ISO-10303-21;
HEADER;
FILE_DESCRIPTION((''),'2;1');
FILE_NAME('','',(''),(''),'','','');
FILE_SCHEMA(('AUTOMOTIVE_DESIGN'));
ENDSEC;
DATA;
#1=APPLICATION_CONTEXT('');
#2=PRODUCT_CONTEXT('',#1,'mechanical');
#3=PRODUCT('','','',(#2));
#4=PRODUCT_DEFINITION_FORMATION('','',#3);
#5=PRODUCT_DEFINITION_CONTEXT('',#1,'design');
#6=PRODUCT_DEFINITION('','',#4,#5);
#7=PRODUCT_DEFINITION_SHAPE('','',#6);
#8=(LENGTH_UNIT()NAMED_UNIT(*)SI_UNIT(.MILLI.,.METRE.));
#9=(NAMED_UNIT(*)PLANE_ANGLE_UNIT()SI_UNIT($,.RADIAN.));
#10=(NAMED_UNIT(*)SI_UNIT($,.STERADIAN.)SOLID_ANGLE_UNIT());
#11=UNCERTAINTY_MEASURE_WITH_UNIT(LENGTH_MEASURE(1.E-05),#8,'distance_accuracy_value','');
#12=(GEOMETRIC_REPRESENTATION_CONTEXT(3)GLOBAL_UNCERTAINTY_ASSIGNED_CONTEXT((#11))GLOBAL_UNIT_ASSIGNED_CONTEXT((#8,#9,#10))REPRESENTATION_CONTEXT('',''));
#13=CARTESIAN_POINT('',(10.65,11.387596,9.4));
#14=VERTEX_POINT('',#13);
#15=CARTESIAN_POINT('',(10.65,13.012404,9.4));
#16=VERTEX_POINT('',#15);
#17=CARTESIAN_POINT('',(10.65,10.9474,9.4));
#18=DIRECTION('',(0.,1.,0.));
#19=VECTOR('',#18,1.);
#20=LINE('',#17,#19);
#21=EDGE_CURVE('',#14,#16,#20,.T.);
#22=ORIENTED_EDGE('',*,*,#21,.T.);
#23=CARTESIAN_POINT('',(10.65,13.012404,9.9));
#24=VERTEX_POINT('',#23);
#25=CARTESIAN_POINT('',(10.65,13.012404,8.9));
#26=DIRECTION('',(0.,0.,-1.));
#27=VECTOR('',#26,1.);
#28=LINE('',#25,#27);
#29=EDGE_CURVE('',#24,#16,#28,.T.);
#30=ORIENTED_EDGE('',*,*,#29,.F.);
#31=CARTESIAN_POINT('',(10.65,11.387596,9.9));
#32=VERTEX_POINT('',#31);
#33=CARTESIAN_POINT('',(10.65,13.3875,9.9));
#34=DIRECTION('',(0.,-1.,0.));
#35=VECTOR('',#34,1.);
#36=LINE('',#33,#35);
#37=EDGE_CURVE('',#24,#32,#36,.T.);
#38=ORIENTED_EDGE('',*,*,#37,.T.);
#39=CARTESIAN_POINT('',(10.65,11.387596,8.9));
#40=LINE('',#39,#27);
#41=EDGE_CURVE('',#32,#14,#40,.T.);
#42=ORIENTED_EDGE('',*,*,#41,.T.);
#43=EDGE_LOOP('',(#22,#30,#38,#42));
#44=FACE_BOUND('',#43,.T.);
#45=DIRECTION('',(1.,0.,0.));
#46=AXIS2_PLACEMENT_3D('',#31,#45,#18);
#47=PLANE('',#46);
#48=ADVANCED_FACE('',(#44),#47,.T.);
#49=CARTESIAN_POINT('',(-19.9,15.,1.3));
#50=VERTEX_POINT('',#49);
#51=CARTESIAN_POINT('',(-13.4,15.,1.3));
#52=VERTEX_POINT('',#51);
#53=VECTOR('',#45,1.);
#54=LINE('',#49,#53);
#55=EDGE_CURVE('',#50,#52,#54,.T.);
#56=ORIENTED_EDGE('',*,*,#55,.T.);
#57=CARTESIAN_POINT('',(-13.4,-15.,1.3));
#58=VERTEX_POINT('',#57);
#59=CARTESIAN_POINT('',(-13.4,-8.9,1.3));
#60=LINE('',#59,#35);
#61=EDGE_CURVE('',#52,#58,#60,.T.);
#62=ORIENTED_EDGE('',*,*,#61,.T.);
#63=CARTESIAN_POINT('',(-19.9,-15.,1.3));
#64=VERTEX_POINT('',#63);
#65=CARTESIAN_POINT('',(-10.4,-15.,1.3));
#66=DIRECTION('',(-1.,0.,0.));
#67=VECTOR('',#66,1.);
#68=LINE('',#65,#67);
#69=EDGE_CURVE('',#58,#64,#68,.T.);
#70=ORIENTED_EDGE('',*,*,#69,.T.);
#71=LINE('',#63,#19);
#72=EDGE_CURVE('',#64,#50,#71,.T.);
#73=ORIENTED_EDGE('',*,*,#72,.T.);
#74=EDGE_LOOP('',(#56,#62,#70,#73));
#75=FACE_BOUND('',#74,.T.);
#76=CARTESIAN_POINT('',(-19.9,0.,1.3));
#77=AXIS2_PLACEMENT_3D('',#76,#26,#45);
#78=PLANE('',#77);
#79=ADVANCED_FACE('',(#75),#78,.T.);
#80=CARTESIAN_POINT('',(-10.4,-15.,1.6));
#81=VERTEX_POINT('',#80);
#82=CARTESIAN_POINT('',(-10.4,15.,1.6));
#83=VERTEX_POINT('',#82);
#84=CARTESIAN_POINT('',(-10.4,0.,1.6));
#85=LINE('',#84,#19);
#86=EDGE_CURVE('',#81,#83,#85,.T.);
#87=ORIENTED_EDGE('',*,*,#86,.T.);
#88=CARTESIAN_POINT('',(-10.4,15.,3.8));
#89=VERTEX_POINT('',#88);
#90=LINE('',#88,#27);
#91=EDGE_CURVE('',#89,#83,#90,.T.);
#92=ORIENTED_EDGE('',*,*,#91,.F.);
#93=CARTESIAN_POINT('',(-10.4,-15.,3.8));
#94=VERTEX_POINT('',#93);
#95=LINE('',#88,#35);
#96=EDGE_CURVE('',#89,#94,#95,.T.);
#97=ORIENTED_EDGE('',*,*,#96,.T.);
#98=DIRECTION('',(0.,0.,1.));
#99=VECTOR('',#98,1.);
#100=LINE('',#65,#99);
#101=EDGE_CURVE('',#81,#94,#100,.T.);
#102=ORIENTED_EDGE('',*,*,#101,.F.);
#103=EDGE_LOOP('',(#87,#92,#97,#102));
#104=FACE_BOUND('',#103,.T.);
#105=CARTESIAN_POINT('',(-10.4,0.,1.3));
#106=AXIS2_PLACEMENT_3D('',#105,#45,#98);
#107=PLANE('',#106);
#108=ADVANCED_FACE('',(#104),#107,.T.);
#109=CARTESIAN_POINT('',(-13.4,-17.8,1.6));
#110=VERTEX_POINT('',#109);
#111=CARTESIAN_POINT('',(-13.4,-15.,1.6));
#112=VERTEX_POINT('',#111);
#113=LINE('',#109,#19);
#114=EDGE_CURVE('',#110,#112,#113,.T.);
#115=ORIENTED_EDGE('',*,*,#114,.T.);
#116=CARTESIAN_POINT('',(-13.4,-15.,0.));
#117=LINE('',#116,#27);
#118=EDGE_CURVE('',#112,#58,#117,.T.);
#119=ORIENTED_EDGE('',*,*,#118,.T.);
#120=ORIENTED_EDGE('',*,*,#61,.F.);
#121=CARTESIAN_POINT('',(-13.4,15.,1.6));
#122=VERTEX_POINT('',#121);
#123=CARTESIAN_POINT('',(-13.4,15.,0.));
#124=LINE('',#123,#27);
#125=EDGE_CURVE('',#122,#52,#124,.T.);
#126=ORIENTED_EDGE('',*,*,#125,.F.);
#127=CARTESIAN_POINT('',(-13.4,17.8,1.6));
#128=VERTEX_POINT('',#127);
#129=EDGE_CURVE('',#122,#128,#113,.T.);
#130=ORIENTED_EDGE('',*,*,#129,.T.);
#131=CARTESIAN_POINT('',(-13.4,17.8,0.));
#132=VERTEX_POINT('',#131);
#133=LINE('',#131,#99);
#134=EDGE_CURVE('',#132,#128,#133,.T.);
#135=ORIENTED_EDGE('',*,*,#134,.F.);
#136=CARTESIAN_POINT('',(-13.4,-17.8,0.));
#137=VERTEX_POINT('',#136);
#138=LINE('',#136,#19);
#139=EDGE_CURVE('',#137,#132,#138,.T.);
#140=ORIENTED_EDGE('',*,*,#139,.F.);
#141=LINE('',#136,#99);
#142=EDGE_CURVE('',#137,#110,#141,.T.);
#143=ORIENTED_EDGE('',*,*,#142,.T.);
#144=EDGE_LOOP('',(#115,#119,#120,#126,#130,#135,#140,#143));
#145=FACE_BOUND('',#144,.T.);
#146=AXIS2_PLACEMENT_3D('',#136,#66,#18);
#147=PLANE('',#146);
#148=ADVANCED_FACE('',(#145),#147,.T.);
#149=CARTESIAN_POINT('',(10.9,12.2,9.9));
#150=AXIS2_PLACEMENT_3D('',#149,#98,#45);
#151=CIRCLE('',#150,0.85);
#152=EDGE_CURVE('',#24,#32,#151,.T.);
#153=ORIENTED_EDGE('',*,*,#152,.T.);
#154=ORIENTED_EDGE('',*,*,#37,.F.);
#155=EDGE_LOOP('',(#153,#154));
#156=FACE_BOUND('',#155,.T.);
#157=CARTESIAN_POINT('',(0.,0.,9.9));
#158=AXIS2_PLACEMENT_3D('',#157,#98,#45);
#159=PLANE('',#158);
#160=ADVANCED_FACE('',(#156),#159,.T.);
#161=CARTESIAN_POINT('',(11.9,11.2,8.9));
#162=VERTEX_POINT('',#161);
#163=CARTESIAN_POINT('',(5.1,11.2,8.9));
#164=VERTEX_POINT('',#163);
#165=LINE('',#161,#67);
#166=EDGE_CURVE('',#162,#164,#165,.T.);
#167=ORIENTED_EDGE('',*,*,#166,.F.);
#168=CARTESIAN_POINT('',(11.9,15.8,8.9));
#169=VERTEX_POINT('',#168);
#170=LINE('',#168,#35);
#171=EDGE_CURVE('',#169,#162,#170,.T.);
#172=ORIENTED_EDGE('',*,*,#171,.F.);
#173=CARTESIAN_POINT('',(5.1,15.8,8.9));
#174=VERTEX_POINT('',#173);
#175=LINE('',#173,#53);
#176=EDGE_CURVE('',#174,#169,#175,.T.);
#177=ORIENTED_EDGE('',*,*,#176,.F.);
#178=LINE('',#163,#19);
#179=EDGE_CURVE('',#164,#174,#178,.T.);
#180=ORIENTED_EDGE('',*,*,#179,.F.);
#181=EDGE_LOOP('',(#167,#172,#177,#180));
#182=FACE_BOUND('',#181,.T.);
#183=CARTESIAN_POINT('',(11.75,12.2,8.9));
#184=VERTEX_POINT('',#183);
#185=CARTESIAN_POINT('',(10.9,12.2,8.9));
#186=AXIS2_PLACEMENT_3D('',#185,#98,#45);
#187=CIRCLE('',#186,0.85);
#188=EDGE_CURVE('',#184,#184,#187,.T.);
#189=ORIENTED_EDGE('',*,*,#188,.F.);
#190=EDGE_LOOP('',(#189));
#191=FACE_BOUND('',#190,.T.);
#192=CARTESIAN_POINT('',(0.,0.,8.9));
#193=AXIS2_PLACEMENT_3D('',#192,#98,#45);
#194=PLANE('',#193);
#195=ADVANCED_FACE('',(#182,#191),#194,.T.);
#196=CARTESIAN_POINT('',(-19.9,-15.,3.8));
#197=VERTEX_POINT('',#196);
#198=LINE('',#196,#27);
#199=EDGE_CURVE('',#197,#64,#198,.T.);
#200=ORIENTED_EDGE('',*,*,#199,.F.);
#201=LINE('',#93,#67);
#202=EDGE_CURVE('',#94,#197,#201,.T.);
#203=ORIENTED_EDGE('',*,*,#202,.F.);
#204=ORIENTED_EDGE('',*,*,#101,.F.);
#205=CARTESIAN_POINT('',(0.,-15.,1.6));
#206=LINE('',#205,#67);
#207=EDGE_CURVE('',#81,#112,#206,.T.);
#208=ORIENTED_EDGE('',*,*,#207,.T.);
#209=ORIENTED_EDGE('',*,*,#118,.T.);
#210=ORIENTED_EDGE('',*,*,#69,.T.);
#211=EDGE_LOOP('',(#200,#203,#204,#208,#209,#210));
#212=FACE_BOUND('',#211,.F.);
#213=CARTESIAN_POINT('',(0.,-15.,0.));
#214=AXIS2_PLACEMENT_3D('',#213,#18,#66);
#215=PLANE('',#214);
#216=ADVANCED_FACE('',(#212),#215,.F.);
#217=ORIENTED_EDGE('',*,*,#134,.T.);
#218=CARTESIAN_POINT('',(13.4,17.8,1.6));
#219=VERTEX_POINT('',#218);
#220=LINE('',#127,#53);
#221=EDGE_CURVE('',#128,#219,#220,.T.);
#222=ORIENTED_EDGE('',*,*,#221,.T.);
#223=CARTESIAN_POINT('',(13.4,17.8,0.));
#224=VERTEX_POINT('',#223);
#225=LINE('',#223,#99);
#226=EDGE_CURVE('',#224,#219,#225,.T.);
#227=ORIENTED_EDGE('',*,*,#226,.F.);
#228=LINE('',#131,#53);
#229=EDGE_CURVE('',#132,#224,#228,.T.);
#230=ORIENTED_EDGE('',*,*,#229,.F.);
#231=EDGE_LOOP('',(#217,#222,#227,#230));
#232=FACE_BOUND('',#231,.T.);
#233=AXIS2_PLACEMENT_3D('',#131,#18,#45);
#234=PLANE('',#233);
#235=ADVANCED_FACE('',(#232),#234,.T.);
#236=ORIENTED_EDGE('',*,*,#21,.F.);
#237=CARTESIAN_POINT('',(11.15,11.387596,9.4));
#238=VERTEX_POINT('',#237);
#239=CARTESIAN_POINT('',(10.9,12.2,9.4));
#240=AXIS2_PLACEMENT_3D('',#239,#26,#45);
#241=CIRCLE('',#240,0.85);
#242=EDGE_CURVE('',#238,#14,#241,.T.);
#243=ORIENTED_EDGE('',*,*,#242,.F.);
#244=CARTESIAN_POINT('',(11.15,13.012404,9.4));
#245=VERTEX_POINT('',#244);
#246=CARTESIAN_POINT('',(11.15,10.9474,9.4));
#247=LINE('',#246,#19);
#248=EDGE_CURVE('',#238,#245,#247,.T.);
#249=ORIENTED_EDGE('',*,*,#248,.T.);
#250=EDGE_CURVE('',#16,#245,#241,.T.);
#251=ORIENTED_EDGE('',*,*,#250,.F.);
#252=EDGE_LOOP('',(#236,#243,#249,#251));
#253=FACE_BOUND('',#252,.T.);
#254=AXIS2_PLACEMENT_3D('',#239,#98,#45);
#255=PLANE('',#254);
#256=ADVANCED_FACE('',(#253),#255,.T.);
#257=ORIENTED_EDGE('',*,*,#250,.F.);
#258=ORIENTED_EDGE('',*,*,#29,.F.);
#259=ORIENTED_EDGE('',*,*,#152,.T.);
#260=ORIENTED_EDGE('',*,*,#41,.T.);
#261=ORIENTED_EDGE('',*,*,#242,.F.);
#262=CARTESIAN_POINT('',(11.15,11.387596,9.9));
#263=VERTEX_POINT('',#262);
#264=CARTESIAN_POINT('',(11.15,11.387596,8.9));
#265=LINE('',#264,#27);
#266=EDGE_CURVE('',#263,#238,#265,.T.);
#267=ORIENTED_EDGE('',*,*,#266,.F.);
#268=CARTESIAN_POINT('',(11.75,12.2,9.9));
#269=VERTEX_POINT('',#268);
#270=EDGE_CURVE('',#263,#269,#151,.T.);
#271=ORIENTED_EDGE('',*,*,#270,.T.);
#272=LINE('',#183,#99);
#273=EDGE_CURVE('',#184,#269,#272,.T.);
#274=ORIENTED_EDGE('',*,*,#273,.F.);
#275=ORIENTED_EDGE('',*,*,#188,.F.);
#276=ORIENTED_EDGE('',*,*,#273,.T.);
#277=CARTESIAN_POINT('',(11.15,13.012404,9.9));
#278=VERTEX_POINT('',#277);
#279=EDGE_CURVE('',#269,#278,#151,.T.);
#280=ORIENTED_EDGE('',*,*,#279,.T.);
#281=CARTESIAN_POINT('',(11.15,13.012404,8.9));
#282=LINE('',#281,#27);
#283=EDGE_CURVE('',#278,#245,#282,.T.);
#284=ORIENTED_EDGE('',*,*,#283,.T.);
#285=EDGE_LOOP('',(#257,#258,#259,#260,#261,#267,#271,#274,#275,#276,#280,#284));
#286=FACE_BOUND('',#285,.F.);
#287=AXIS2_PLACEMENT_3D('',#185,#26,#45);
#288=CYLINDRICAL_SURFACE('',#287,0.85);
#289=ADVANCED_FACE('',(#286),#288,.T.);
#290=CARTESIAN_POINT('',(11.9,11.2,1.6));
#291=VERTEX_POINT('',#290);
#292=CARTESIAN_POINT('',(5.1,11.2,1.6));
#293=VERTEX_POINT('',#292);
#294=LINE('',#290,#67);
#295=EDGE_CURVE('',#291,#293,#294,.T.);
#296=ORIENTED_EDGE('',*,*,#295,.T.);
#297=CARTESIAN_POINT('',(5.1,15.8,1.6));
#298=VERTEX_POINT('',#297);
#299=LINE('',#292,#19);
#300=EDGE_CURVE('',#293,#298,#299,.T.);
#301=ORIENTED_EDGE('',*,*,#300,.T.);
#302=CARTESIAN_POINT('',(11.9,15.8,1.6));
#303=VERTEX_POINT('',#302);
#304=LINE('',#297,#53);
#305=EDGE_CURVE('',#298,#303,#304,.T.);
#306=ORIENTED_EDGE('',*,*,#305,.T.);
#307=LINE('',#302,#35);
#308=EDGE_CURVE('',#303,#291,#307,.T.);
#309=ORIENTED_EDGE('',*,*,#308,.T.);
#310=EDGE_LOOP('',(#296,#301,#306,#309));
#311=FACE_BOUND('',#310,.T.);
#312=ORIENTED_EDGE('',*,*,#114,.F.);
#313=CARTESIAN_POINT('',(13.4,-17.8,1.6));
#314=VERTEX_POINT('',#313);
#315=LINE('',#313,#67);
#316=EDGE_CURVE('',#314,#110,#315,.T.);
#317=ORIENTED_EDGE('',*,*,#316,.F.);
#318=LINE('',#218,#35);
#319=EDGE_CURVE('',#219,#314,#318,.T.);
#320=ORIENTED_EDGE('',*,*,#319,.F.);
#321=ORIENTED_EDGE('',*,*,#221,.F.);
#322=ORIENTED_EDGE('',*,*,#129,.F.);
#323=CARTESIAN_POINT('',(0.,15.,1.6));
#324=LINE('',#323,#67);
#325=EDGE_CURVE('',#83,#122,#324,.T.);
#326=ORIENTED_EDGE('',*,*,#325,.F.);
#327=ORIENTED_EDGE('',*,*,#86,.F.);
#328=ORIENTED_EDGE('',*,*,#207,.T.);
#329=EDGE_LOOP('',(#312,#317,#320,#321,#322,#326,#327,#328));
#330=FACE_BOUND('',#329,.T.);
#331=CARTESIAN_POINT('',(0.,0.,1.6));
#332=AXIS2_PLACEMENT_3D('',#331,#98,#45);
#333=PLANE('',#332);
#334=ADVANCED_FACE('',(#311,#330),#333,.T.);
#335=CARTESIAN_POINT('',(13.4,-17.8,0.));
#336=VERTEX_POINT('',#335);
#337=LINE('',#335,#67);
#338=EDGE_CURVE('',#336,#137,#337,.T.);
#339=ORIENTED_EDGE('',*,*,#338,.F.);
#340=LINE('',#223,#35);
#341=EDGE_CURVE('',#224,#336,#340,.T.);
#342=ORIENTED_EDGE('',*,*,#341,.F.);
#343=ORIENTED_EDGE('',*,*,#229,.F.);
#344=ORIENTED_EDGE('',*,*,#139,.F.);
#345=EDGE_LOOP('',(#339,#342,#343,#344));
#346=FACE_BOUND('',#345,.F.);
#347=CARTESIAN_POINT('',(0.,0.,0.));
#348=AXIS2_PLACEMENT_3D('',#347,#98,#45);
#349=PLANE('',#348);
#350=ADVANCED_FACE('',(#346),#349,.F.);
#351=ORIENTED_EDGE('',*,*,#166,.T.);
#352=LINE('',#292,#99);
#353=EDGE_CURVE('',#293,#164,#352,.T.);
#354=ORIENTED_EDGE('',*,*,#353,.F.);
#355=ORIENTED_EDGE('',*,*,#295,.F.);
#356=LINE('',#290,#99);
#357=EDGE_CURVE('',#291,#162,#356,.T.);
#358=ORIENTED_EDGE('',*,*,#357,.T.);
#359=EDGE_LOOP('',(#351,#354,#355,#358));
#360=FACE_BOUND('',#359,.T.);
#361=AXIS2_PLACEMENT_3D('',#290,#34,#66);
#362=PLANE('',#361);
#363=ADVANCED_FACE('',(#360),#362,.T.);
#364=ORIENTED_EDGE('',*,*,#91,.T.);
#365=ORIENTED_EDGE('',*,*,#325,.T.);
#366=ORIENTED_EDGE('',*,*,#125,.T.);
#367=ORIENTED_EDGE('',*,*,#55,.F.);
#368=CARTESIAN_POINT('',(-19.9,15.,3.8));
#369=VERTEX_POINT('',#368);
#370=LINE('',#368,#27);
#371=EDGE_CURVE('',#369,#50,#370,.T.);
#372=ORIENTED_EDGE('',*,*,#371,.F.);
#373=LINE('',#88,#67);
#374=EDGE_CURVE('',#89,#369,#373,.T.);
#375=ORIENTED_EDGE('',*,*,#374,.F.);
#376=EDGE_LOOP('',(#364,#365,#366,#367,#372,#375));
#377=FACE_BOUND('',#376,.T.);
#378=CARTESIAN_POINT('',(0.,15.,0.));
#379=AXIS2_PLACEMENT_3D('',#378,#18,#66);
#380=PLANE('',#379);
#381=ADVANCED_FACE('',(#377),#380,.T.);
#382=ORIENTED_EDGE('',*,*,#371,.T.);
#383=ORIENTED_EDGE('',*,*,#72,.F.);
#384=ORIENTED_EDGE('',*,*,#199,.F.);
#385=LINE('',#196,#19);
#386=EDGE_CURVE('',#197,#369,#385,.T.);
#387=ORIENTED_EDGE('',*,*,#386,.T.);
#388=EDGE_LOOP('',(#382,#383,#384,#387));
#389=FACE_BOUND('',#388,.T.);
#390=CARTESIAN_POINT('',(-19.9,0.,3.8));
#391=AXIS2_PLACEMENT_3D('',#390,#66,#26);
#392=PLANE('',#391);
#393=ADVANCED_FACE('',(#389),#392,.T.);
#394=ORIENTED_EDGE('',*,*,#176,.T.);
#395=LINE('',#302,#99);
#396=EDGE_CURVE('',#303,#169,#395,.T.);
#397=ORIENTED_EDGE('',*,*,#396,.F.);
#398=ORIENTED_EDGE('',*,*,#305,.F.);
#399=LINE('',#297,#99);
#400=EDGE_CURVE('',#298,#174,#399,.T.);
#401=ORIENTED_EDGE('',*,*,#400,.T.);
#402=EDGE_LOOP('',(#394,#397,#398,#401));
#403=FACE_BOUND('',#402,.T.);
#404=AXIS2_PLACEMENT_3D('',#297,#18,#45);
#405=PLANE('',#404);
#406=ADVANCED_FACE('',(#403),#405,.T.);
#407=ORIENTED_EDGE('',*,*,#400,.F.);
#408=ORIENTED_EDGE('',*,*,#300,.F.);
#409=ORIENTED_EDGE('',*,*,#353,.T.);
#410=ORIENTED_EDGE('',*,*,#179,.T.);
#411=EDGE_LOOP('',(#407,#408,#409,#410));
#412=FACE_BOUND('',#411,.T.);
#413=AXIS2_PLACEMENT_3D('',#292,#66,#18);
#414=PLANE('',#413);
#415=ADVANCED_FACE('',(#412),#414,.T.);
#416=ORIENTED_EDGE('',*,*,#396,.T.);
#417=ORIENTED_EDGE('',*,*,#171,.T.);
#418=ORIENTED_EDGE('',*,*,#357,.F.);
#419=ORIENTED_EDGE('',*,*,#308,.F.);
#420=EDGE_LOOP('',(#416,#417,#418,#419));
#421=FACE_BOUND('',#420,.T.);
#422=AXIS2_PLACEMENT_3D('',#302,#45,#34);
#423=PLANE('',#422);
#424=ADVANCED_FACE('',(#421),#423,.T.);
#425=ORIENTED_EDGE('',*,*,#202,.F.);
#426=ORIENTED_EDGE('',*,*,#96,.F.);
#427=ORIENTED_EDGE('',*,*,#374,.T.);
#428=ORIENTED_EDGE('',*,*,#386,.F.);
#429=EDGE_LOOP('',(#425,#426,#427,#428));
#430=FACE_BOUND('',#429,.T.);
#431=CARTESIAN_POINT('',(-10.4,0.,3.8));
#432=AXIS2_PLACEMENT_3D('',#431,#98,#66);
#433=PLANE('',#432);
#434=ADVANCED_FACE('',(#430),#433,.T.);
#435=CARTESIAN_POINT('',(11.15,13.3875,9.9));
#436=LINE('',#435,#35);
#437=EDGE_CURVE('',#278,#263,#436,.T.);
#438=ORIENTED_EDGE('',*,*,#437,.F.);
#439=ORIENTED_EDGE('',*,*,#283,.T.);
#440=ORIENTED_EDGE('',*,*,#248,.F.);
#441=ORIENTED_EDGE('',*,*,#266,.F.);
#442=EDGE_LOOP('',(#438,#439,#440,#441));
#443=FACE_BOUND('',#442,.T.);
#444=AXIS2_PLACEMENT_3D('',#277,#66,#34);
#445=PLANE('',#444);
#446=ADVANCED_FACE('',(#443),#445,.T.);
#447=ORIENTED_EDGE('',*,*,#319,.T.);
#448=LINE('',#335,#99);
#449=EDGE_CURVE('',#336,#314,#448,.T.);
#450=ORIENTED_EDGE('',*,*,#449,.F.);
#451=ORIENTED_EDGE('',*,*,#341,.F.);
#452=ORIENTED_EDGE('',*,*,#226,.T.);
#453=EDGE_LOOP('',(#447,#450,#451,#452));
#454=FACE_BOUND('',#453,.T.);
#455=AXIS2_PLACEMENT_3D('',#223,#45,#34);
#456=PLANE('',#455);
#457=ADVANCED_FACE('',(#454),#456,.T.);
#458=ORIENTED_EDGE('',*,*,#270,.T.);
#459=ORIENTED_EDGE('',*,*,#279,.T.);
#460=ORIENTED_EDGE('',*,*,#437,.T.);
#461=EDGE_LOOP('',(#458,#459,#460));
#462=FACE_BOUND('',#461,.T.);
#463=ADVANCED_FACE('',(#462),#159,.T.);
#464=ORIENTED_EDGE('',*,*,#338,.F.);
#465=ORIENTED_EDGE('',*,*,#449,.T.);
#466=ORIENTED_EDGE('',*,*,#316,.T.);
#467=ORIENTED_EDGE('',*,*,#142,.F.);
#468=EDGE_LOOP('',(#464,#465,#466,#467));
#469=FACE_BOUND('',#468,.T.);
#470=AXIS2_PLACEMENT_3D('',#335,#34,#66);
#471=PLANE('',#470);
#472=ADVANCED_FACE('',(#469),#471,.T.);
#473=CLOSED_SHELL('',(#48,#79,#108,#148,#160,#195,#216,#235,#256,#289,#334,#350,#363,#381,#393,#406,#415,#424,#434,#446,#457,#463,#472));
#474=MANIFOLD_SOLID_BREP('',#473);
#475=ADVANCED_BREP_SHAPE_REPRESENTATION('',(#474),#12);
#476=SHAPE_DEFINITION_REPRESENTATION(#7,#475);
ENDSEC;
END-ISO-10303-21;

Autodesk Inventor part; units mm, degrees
ref_plane "YZ Plane" through (0, 0, 0) normal (1, 0, 0) x (0, 1, 0)
ref_plane "XZ Plane" through (0, 0, 0) normal (0, 1, 0) x (-1, 0, 0)
ref_plane "XY Plane" through (0, 0, 0) normal (0, 0, 1) x (1, 0, 0)
sketch "Sketch1" plane through (0, 0, 0) normal (0, 0, 1) x (1, 0, 0)
  line L0 (-18.76, 0) -> (18.76, 0) construction
  line L1 (0, -24.92) -> (0, 24.92) construction
  line L2 (-13.4, 17.8) -> (13.4, 17.8)
  line L3 (13.4, 17.8) -> (13.4, -17.8)
  line L4 (13.4, -17.8) -> (-13.4, -17.8)
  line L5 (-13.4, -17.8) -> (-13.4, 17.8)
  point P0 (0, 0)
  point P1 (13.4, 0)
  point P2 (0, 17.8)
  dimension "d0" = 26.8
  dimension "d1" = 35.6
extrude "Extrusion1" add sketch "Sketch1" along normal blind 1.6
sketch "Sketch3" plane through (0, 0, 1.6) normal (0, 0, 1) x (1, 0, 0)
  line L0 (5.1, 15.8) -> (11.9, 15.8)
  line L1 (11.9, 15.8) -> (11.9, 11.2)
  line L2 (11.9, 11.2) -> (5.1, 11.2)
  line L3 (5.1, 11.2) -> (5.1, 15.8)
  line L4 (13.4, 17.8) -> (-13.4, 17.8) projected
  line L5 (13.4, -17.8) -> (13.4, 17.8) projected
  point P0 (0, 0)
  dimension "d4" = 2
  dimension "d5" = 1.5
  dimension "d6" = 6.8
  dimension "d7" = 4.6
extrude "Extrusion2" add sketch "Sketch3" along normal blind 7.3
sketch "Sketch4" plane through (0, 0, 8.9) normal (0, 0, 1) x (1, 0, 0)
  circle A0 centre (10.9, 12.2) radius 0.85
  line L0 (5.1, 11.2) -> (11.9, 11.2) projected
  line L1 (11.9, 11.2) -> (11.9, 15.8) projected
  point P0 (0, 0)
  dimension "d10" = 1.7
  dimension "d11" = 1
  dimension "d12" = 1
extrude "Extrusion3" add sketch "Sketch4" along normal blind 1
sketch "Sketch5" plane through (10.9, 12.2, 9.9) normal (0, 0, 1) x (1, 0, 0)
  circle A0 centre (0, 0) radius 0.85 projected
  line L0 (-0.25, 1.1875) -> (0.25, 1.1875)
  line L1 (0.25, 1.1875) -> (0.25, -1.2526)
  line L2 (0.25, -1.2526) -> (-0.25, -1.2526)
  line L3 (-0.25, -1.2526) -> (-0.25, 1.1875)
  point P0 (-10.9, -12.2)
  point P1 (0, -1.2526)
  dimension "d15" = 0.5
extrude "Extrusion4" cut sketch "Sketch5" against normal blind 0.5 contours L1 A0 L3 | A0 L3 L0 L1 | L1 L2 L3 A0
sketch "Sketch6" plane through (0, 0, 0) normal (0, 1, 0) x (-1, 0, 0)
  line L0 (19.9, 1.3) -> (10.4, 1.3)
  line L1 (10.4, 1.3) -> (10.4, 3.8)
  line L2 (10.4, 3.8) -> (19.9, 3.8)
  line L3 (19.9, 3.8) -> (19.9, 1.3)
  line L4 (-13.4, 1.6) -> (13.4, 1.6) projected
  line L5 (13.4, 0) -> (13.4, 1.6) projected
  point P0 (0, 0)
  dimension "d18" = 0.3
  dimension "d19" = 2.5
  dimension "d20" = 6.5
  dimension "d21" = 3
extrude "Extrusion5" add sketch "Sketch6" along normal mid plane 30
equation "\"d12\" = d11"
properties part number "P121" material "ABS Plastic"
